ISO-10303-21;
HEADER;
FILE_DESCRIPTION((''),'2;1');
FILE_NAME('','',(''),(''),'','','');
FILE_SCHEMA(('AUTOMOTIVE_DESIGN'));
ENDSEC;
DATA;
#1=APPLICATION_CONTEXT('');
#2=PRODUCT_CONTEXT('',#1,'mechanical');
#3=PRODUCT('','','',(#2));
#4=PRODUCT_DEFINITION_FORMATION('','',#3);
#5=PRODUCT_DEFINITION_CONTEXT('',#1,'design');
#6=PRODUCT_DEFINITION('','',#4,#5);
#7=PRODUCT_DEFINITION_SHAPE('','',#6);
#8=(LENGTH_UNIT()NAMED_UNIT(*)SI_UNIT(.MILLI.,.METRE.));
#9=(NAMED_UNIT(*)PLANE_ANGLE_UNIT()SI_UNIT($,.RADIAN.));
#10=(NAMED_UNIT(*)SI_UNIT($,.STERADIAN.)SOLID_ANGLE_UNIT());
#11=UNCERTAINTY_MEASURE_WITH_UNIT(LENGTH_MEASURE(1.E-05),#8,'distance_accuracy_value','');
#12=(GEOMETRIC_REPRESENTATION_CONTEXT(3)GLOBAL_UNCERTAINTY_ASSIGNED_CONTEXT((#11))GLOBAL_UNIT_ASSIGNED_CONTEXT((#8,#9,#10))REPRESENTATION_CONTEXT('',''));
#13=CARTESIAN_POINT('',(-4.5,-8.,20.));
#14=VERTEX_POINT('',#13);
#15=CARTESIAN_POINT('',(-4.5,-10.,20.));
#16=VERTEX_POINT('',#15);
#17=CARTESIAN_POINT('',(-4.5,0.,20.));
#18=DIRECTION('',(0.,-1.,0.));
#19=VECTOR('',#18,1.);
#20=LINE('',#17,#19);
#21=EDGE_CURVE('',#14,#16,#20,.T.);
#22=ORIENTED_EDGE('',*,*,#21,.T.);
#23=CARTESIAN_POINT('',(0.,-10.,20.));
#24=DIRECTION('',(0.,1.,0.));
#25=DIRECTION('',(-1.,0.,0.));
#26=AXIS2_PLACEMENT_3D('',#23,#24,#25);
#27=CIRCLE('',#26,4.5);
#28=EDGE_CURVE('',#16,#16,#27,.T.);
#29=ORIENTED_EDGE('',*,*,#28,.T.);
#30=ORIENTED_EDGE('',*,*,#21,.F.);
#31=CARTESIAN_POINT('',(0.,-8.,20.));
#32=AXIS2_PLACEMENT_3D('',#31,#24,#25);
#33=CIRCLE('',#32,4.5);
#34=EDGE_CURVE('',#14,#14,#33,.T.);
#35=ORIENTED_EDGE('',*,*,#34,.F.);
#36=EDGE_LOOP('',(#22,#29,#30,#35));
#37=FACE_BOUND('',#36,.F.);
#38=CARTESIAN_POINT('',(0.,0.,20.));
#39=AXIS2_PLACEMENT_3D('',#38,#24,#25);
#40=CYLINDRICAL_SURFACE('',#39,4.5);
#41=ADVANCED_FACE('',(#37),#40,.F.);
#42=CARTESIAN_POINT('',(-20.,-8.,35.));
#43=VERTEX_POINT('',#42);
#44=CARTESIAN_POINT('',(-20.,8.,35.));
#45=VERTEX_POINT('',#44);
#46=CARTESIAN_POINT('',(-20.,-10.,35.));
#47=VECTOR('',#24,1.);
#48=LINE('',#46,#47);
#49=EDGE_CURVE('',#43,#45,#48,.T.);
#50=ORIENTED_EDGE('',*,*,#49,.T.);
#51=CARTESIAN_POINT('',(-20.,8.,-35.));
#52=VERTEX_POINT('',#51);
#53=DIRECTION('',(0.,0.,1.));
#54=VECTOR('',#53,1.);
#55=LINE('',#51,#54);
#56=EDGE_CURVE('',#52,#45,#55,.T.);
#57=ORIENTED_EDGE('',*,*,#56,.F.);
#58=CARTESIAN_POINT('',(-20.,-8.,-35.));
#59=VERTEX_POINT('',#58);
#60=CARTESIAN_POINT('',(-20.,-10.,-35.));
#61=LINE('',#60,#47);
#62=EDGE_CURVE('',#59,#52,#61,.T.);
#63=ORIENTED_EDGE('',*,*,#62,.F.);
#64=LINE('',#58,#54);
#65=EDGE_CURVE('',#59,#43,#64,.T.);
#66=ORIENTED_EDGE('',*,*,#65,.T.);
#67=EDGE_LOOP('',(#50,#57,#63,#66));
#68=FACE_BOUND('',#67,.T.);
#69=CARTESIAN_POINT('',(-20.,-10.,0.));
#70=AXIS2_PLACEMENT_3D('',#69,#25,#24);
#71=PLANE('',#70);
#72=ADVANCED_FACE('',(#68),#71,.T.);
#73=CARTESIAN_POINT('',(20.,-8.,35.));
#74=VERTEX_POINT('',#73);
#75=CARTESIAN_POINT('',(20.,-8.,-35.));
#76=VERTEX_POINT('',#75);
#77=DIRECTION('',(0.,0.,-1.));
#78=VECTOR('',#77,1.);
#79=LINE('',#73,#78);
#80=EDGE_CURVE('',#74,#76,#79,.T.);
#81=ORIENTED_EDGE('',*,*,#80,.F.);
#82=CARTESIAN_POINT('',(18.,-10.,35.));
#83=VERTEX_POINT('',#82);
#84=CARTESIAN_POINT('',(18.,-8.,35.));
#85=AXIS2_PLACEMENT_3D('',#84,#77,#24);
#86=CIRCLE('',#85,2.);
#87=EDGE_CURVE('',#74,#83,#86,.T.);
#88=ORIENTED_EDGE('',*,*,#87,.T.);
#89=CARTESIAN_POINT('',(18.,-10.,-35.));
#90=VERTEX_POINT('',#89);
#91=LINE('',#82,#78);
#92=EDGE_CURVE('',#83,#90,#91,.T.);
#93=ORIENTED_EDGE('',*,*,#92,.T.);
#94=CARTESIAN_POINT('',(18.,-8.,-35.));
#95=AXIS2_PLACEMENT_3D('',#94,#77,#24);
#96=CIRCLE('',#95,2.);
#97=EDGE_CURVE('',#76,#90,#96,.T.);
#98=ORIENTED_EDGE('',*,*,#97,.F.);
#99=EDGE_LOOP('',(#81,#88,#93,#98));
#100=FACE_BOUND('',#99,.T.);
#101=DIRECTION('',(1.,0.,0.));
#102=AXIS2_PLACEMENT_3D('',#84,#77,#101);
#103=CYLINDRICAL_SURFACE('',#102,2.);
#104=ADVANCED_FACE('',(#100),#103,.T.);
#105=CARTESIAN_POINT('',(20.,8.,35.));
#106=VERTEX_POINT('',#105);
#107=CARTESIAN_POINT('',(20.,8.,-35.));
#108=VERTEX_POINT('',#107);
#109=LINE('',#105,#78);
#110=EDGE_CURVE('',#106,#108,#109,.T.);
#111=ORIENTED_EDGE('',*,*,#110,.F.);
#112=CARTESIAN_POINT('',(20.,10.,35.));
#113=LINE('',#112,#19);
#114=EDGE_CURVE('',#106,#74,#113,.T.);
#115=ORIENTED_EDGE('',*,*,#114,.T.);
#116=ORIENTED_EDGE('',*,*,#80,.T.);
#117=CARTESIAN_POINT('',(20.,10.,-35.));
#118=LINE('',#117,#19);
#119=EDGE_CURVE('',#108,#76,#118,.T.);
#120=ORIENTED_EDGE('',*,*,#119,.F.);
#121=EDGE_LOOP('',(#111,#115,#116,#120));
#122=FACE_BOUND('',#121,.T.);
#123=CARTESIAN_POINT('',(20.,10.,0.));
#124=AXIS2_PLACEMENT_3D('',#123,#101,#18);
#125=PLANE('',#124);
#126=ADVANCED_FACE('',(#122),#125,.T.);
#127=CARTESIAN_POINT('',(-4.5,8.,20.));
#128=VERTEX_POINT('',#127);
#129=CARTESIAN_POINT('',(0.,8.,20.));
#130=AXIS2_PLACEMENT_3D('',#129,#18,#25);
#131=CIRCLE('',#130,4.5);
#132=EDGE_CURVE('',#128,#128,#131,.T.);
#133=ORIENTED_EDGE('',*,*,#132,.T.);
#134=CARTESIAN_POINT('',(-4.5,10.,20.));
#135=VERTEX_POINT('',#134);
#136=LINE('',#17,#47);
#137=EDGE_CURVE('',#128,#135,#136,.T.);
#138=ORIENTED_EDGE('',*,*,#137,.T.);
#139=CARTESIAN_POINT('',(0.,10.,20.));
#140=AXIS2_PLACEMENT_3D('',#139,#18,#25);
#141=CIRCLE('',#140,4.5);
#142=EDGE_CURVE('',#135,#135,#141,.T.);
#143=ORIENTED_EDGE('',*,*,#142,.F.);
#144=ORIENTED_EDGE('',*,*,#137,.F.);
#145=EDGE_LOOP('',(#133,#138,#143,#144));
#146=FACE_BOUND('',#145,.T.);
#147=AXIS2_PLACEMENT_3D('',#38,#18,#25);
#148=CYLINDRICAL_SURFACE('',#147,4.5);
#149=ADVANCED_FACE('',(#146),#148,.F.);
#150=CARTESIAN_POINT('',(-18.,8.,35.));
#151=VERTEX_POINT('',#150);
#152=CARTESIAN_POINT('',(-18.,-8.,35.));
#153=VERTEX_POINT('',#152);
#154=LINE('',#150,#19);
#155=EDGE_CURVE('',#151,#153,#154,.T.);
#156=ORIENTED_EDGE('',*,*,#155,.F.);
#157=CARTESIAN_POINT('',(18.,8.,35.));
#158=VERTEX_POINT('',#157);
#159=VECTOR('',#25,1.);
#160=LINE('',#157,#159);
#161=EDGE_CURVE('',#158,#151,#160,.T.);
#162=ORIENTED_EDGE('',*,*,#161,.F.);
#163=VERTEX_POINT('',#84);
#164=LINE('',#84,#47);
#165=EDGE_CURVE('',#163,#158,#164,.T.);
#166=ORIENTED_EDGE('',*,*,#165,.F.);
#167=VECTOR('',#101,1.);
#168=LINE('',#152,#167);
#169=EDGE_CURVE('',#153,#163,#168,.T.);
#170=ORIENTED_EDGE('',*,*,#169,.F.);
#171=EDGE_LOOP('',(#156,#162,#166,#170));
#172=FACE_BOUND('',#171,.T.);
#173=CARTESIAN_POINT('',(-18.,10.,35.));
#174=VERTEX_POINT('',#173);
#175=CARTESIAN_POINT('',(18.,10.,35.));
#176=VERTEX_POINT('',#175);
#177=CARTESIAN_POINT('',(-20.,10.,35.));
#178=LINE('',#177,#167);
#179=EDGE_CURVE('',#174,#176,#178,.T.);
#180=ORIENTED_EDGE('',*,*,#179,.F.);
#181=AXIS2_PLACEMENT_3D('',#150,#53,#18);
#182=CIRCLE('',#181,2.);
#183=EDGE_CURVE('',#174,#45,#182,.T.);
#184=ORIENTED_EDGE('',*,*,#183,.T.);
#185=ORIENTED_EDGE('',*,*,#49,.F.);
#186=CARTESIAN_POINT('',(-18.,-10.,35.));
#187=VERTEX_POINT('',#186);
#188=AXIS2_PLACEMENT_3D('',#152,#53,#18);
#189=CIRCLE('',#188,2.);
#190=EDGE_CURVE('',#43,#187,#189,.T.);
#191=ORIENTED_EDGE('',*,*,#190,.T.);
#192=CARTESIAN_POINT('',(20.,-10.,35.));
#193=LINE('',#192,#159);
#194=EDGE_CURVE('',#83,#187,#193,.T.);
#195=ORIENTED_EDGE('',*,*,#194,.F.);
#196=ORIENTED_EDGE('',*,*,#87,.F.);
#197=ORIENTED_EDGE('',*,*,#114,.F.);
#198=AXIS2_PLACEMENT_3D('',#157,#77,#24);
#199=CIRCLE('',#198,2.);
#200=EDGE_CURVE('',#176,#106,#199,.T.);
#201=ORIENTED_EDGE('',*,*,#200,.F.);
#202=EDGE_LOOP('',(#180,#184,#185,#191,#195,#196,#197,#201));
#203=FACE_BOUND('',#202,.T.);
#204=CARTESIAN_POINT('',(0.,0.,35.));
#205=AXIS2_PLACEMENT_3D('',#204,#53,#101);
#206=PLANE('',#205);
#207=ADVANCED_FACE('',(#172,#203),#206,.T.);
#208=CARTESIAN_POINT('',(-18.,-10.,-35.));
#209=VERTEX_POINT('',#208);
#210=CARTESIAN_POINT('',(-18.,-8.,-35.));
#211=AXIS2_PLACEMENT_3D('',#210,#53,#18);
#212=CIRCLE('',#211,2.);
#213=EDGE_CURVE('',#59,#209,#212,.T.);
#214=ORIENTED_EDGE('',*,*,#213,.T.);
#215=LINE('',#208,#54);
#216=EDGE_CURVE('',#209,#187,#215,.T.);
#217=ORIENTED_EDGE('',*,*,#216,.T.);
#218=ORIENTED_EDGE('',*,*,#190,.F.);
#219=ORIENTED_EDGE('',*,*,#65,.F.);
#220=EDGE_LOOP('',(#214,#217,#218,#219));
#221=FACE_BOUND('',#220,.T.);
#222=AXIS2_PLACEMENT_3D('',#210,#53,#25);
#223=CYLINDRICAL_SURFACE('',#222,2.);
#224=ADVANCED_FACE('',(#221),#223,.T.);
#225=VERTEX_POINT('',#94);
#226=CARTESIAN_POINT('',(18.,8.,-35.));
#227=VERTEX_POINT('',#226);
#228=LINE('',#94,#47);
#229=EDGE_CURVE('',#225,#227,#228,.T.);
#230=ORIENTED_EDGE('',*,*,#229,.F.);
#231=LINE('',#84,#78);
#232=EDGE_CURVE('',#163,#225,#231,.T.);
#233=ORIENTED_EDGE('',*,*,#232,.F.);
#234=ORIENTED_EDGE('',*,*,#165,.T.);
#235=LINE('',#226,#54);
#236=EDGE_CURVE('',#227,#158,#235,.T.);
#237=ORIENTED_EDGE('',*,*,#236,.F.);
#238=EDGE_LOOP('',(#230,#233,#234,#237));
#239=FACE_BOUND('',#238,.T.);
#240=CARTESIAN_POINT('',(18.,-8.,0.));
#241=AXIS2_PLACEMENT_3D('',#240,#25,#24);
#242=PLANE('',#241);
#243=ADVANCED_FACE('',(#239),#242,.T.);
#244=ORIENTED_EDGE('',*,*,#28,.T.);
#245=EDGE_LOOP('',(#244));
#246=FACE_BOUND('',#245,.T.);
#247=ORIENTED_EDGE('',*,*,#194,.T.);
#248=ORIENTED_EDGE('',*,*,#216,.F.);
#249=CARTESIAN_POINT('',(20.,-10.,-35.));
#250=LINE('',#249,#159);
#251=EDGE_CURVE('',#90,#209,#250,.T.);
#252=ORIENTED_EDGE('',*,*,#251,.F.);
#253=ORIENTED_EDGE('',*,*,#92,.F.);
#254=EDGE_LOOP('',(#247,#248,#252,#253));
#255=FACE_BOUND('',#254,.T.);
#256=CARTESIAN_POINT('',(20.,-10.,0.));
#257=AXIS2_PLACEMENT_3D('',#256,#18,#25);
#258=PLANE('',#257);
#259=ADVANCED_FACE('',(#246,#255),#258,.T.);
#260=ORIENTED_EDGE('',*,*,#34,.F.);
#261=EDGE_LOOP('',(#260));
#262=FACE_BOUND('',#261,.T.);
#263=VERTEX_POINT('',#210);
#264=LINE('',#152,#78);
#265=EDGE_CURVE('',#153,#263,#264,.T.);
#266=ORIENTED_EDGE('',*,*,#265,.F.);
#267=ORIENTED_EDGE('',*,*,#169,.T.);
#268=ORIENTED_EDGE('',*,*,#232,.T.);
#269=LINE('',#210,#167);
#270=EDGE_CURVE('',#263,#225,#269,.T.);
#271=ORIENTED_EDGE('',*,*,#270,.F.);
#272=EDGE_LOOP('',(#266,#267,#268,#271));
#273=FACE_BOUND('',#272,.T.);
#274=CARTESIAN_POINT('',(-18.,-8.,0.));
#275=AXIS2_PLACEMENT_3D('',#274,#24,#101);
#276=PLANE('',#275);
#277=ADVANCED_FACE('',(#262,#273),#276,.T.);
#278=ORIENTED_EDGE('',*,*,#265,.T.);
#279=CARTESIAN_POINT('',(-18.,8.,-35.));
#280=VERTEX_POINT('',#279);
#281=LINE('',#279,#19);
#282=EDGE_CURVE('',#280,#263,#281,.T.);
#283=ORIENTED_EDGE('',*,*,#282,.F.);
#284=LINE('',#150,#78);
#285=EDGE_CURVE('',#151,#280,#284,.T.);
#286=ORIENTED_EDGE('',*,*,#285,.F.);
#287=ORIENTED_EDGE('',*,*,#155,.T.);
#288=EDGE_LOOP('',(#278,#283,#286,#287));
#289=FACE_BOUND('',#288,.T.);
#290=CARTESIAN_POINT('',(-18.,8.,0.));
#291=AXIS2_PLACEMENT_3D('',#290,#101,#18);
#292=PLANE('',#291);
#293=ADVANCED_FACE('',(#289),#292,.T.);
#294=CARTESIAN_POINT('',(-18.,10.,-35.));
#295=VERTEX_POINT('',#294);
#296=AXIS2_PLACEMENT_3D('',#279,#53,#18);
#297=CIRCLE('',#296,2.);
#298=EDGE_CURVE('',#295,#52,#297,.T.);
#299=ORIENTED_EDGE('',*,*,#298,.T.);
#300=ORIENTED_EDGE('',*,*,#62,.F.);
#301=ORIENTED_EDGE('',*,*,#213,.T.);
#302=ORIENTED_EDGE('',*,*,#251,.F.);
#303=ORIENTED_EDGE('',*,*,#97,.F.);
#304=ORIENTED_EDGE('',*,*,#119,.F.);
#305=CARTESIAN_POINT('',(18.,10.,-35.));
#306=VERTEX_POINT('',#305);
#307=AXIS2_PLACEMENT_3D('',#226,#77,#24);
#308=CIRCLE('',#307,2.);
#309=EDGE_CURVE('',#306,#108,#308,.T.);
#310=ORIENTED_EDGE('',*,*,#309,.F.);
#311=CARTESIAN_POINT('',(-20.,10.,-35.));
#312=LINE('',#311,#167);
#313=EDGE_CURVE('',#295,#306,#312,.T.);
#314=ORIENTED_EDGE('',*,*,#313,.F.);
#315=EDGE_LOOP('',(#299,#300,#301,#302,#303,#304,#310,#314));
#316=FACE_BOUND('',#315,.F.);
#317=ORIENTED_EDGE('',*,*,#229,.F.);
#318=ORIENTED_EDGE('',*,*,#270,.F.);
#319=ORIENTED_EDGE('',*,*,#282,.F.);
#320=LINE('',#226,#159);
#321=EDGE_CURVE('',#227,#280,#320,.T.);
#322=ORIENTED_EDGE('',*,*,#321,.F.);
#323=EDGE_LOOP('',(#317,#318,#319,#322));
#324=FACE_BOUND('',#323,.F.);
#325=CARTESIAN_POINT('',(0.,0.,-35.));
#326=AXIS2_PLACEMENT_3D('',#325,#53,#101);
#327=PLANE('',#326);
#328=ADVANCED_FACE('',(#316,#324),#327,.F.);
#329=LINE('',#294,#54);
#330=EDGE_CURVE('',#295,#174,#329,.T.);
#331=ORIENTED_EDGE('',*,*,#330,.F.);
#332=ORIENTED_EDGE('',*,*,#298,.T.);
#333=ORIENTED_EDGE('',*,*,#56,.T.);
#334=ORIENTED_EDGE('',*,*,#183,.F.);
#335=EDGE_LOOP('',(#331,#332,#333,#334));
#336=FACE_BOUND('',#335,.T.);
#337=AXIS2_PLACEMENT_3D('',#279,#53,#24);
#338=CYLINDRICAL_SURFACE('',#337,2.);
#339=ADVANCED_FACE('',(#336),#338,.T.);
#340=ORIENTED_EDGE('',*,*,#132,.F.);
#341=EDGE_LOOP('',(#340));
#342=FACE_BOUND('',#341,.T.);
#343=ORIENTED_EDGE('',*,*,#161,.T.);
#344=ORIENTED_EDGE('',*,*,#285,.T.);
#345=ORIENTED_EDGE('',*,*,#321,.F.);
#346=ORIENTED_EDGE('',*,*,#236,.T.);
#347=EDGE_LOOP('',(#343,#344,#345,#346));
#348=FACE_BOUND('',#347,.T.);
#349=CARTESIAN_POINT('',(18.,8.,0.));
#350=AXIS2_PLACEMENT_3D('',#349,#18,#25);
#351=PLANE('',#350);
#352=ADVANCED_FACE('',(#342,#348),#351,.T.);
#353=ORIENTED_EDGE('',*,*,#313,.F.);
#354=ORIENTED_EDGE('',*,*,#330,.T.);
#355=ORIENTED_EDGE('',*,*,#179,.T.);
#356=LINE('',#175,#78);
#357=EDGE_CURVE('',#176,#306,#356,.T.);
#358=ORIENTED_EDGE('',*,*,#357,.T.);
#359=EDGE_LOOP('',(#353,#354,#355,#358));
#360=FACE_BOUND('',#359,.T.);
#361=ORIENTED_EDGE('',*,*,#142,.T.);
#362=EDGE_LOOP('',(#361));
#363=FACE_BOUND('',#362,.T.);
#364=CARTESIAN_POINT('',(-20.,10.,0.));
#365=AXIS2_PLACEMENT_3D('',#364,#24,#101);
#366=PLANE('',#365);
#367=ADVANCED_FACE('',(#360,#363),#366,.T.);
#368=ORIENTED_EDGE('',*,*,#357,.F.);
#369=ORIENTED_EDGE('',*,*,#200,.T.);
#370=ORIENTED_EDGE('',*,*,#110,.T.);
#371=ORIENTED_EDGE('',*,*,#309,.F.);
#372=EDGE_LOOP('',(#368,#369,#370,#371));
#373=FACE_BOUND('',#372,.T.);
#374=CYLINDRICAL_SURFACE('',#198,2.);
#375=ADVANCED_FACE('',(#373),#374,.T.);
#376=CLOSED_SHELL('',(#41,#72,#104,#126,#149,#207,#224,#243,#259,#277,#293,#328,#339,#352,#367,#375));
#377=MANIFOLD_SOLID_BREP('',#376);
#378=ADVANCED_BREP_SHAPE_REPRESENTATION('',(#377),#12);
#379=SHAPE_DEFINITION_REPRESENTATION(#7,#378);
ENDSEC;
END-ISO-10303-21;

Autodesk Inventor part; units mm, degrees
ref_plane "YZ Plane" through (0, 0, 0) normal (1, 0, 0) x (0, 1, 0)
ref_plane "XZ Plane" through (0, 0, 0) normal (0, 1, 0) x (-1, 0, 0)
ref_plane "XY Plane" through (0, 0, 0) normal (0, 0, 1) x (1, 0, 0)
sketch "Sketch1" plane through (0, 0, 0) normal (0, 0, 1) x (1, 0, 0)
  line L0 (-20, 10) -> (20, 10)
  line L1 (20, 10) -> (20, -10)
  line L2 (20, -10) -> (-20, -10)
  line L3 (-20, -10) -> (-20, 10)
  line L4 (-20, 10) -> (20, -10) construction
  line L5 (20, 10) -> (-20, -10) construction
  line L6 (18, 8) -> (-18, 8)
  line L7 (-18, 8) -> (-18, -8)
  line L8 (-18, -8) -> (18, -8)
  line L9 (18, -8) -> (18, 8)
  point P0 (0, 0)
  dimension "d0" = 40
  dimension "d1" = 20
  dimension "d2" = 2
extrude "Extrusion1" add sketch "Sketch1" along normal mid plane 70
fillet "Fillet1" radius 2 4 edges at (-20, 10, 0) (-20, -10, 0) (20, -10, 0) (20, 10, 0)
sketch "Sketch4" plane through (0, 0, 0) normal (0, 1, 0) x (-1, 0, 0)
  line L0 (18, 35) -> (-18, 35) projected
  line L1 (-18, -35) -> (18, -35) projected
  circle A0 centre (0, 20) radius 4.5
  circle A1 centre (0, -20) radius 4.5
  line L2 (48.8004, 0) -> (-48.8004, 0) construction
  point P0 (0, 0)
  point P1 (0, 0)
  dimension "d20" = 9
  dimension "d21" = 15
extrude "Extrusion4" cut sketch "Sketch4" along normal through all both and the other way through all contours A0
properties part number "Leg tube 3"
